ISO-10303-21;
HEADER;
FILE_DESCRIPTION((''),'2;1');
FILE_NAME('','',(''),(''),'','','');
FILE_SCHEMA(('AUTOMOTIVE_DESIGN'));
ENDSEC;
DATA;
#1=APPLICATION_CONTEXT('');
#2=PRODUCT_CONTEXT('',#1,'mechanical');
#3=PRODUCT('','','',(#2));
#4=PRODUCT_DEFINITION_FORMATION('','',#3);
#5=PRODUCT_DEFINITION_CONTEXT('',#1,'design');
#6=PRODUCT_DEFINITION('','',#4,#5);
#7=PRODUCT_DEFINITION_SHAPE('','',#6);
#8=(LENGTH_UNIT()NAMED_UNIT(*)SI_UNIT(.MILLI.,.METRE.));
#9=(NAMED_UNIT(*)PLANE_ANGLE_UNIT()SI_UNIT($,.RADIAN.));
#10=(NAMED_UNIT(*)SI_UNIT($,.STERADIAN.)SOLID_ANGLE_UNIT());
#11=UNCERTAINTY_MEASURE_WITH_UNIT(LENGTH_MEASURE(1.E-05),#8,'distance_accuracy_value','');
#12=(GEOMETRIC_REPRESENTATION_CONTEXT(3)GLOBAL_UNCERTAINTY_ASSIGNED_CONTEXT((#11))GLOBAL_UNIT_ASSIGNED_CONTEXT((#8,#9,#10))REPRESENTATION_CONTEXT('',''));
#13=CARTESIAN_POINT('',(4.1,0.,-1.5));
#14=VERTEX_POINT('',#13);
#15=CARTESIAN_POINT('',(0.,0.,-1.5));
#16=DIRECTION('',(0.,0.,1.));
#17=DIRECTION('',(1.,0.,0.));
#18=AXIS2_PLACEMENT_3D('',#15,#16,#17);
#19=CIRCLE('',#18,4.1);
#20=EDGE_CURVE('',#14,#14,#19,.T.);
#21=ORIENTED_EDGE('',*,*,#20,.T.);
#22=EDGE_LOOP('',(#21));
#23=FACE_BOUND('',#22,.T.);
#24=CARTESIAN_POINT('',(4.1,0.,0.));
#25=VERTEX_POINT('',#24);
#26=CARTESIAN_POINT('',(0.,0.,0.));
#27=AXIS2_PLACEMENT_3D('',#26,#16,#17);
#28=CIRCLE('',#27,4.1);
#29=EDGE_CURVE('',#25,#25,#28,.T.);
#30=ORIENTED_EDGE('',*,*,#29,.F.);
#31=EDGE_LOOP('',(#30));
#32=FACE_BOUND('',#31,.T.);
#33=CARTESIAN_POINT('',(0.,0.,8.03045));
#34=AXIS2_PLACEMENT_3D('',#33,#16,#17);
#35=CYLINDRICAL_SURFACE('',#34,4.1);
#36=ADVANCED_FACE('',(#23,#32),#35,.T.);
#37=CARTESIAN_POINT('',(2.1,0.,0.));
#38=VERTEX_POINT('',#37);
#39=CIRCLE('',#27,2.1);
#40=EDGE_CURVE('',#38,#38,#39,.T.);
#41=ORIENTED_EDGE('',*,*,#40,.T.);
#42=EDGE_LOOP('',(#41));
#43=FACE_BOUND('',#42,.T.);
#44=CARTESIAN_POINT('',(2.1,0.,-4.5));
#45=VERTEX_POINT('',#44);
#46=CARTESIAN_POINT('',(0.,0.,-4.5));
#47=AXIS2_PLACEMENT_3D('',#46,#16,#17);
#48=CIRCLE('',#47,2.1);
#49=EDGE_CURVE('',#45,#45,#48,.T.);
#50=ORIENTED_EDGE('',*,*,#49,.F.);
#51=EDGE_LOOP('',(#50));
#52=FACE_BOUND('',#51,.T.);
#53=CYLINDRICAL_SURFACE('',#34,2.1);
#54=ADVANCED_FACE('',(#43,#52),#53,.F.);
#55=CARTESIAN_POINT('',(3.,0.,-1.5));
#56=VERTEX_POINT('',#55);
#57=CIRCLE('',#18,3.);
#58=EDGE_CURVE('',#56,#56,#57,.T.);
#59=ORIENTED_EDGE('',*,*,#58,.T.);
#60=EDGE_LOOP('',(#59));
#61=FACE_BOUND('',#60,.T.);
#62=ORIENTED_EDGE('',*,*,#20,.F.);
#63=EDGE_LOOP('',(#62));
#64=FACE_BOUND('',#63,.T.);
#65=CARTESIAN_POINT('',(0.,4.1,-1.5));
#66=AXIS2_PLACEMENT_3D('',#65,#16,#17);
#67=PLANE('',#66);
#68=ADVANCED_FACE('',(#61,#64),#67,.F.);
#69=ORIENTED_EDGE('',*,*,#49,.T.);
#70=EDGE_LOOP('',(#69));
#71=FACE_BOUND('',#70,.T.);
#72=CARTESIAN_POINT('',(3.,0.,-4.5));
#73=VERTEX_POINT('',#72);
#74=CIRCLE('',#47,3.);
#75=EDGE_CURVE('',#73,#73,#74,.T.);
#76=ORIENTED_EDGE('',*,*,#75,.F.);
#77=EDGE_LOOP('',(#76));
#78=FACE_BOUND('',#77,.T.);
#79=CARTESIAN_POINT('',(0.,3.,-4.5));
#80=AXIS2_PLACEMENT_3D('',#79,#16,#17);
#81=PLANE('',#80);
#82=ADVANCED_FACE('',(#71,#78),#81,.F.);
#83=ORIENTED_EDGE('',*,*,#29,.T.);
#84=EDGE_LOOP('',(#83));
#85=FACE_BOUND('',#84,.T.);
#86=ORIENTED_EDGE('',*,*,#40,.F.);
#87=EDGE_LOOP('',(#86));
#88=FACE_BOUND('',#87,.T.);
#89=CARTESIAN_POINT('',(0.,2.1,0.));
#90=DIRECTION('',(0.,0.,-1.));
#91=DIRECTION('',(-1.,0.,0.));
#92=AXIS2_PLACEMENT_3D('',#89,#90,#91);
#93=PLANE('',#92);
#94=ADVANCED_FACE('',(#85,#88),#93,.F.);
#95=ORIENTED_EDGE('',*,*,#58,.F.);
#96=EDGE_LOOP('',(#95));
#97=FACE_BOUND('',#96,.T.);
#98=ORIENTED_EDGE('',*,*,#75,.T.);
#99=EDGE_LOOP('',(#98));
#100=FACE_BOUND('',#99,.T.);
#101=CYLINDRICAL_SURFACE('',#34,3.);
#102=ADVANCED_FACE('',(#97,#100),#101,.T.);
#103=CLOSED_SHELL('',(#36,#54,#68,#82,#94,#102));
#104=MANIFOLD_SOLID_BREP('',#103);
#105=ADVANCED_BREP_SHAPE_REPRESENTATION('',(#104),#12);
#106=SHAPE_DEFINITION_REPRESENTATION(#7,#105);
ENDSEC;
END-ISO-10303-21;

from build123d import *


with BuildPart() as part:
    # Sketch1 → Revolve1 (revolve)
    with BuildSketch(Plane(origin=(0, 0, 0), x_dir=(0, 0, -1), z_dir=(1, 0, 0))):
        Polygon((0, 2.1), (0, 4.1), (1.5, 4.1), (1.5, 3), (4.5, 3), (4.5, 2.1), align=None)
    revolve(axis=Axis((0, 0, 8.030450487), (0, 0, -1)))


solid = part.part
